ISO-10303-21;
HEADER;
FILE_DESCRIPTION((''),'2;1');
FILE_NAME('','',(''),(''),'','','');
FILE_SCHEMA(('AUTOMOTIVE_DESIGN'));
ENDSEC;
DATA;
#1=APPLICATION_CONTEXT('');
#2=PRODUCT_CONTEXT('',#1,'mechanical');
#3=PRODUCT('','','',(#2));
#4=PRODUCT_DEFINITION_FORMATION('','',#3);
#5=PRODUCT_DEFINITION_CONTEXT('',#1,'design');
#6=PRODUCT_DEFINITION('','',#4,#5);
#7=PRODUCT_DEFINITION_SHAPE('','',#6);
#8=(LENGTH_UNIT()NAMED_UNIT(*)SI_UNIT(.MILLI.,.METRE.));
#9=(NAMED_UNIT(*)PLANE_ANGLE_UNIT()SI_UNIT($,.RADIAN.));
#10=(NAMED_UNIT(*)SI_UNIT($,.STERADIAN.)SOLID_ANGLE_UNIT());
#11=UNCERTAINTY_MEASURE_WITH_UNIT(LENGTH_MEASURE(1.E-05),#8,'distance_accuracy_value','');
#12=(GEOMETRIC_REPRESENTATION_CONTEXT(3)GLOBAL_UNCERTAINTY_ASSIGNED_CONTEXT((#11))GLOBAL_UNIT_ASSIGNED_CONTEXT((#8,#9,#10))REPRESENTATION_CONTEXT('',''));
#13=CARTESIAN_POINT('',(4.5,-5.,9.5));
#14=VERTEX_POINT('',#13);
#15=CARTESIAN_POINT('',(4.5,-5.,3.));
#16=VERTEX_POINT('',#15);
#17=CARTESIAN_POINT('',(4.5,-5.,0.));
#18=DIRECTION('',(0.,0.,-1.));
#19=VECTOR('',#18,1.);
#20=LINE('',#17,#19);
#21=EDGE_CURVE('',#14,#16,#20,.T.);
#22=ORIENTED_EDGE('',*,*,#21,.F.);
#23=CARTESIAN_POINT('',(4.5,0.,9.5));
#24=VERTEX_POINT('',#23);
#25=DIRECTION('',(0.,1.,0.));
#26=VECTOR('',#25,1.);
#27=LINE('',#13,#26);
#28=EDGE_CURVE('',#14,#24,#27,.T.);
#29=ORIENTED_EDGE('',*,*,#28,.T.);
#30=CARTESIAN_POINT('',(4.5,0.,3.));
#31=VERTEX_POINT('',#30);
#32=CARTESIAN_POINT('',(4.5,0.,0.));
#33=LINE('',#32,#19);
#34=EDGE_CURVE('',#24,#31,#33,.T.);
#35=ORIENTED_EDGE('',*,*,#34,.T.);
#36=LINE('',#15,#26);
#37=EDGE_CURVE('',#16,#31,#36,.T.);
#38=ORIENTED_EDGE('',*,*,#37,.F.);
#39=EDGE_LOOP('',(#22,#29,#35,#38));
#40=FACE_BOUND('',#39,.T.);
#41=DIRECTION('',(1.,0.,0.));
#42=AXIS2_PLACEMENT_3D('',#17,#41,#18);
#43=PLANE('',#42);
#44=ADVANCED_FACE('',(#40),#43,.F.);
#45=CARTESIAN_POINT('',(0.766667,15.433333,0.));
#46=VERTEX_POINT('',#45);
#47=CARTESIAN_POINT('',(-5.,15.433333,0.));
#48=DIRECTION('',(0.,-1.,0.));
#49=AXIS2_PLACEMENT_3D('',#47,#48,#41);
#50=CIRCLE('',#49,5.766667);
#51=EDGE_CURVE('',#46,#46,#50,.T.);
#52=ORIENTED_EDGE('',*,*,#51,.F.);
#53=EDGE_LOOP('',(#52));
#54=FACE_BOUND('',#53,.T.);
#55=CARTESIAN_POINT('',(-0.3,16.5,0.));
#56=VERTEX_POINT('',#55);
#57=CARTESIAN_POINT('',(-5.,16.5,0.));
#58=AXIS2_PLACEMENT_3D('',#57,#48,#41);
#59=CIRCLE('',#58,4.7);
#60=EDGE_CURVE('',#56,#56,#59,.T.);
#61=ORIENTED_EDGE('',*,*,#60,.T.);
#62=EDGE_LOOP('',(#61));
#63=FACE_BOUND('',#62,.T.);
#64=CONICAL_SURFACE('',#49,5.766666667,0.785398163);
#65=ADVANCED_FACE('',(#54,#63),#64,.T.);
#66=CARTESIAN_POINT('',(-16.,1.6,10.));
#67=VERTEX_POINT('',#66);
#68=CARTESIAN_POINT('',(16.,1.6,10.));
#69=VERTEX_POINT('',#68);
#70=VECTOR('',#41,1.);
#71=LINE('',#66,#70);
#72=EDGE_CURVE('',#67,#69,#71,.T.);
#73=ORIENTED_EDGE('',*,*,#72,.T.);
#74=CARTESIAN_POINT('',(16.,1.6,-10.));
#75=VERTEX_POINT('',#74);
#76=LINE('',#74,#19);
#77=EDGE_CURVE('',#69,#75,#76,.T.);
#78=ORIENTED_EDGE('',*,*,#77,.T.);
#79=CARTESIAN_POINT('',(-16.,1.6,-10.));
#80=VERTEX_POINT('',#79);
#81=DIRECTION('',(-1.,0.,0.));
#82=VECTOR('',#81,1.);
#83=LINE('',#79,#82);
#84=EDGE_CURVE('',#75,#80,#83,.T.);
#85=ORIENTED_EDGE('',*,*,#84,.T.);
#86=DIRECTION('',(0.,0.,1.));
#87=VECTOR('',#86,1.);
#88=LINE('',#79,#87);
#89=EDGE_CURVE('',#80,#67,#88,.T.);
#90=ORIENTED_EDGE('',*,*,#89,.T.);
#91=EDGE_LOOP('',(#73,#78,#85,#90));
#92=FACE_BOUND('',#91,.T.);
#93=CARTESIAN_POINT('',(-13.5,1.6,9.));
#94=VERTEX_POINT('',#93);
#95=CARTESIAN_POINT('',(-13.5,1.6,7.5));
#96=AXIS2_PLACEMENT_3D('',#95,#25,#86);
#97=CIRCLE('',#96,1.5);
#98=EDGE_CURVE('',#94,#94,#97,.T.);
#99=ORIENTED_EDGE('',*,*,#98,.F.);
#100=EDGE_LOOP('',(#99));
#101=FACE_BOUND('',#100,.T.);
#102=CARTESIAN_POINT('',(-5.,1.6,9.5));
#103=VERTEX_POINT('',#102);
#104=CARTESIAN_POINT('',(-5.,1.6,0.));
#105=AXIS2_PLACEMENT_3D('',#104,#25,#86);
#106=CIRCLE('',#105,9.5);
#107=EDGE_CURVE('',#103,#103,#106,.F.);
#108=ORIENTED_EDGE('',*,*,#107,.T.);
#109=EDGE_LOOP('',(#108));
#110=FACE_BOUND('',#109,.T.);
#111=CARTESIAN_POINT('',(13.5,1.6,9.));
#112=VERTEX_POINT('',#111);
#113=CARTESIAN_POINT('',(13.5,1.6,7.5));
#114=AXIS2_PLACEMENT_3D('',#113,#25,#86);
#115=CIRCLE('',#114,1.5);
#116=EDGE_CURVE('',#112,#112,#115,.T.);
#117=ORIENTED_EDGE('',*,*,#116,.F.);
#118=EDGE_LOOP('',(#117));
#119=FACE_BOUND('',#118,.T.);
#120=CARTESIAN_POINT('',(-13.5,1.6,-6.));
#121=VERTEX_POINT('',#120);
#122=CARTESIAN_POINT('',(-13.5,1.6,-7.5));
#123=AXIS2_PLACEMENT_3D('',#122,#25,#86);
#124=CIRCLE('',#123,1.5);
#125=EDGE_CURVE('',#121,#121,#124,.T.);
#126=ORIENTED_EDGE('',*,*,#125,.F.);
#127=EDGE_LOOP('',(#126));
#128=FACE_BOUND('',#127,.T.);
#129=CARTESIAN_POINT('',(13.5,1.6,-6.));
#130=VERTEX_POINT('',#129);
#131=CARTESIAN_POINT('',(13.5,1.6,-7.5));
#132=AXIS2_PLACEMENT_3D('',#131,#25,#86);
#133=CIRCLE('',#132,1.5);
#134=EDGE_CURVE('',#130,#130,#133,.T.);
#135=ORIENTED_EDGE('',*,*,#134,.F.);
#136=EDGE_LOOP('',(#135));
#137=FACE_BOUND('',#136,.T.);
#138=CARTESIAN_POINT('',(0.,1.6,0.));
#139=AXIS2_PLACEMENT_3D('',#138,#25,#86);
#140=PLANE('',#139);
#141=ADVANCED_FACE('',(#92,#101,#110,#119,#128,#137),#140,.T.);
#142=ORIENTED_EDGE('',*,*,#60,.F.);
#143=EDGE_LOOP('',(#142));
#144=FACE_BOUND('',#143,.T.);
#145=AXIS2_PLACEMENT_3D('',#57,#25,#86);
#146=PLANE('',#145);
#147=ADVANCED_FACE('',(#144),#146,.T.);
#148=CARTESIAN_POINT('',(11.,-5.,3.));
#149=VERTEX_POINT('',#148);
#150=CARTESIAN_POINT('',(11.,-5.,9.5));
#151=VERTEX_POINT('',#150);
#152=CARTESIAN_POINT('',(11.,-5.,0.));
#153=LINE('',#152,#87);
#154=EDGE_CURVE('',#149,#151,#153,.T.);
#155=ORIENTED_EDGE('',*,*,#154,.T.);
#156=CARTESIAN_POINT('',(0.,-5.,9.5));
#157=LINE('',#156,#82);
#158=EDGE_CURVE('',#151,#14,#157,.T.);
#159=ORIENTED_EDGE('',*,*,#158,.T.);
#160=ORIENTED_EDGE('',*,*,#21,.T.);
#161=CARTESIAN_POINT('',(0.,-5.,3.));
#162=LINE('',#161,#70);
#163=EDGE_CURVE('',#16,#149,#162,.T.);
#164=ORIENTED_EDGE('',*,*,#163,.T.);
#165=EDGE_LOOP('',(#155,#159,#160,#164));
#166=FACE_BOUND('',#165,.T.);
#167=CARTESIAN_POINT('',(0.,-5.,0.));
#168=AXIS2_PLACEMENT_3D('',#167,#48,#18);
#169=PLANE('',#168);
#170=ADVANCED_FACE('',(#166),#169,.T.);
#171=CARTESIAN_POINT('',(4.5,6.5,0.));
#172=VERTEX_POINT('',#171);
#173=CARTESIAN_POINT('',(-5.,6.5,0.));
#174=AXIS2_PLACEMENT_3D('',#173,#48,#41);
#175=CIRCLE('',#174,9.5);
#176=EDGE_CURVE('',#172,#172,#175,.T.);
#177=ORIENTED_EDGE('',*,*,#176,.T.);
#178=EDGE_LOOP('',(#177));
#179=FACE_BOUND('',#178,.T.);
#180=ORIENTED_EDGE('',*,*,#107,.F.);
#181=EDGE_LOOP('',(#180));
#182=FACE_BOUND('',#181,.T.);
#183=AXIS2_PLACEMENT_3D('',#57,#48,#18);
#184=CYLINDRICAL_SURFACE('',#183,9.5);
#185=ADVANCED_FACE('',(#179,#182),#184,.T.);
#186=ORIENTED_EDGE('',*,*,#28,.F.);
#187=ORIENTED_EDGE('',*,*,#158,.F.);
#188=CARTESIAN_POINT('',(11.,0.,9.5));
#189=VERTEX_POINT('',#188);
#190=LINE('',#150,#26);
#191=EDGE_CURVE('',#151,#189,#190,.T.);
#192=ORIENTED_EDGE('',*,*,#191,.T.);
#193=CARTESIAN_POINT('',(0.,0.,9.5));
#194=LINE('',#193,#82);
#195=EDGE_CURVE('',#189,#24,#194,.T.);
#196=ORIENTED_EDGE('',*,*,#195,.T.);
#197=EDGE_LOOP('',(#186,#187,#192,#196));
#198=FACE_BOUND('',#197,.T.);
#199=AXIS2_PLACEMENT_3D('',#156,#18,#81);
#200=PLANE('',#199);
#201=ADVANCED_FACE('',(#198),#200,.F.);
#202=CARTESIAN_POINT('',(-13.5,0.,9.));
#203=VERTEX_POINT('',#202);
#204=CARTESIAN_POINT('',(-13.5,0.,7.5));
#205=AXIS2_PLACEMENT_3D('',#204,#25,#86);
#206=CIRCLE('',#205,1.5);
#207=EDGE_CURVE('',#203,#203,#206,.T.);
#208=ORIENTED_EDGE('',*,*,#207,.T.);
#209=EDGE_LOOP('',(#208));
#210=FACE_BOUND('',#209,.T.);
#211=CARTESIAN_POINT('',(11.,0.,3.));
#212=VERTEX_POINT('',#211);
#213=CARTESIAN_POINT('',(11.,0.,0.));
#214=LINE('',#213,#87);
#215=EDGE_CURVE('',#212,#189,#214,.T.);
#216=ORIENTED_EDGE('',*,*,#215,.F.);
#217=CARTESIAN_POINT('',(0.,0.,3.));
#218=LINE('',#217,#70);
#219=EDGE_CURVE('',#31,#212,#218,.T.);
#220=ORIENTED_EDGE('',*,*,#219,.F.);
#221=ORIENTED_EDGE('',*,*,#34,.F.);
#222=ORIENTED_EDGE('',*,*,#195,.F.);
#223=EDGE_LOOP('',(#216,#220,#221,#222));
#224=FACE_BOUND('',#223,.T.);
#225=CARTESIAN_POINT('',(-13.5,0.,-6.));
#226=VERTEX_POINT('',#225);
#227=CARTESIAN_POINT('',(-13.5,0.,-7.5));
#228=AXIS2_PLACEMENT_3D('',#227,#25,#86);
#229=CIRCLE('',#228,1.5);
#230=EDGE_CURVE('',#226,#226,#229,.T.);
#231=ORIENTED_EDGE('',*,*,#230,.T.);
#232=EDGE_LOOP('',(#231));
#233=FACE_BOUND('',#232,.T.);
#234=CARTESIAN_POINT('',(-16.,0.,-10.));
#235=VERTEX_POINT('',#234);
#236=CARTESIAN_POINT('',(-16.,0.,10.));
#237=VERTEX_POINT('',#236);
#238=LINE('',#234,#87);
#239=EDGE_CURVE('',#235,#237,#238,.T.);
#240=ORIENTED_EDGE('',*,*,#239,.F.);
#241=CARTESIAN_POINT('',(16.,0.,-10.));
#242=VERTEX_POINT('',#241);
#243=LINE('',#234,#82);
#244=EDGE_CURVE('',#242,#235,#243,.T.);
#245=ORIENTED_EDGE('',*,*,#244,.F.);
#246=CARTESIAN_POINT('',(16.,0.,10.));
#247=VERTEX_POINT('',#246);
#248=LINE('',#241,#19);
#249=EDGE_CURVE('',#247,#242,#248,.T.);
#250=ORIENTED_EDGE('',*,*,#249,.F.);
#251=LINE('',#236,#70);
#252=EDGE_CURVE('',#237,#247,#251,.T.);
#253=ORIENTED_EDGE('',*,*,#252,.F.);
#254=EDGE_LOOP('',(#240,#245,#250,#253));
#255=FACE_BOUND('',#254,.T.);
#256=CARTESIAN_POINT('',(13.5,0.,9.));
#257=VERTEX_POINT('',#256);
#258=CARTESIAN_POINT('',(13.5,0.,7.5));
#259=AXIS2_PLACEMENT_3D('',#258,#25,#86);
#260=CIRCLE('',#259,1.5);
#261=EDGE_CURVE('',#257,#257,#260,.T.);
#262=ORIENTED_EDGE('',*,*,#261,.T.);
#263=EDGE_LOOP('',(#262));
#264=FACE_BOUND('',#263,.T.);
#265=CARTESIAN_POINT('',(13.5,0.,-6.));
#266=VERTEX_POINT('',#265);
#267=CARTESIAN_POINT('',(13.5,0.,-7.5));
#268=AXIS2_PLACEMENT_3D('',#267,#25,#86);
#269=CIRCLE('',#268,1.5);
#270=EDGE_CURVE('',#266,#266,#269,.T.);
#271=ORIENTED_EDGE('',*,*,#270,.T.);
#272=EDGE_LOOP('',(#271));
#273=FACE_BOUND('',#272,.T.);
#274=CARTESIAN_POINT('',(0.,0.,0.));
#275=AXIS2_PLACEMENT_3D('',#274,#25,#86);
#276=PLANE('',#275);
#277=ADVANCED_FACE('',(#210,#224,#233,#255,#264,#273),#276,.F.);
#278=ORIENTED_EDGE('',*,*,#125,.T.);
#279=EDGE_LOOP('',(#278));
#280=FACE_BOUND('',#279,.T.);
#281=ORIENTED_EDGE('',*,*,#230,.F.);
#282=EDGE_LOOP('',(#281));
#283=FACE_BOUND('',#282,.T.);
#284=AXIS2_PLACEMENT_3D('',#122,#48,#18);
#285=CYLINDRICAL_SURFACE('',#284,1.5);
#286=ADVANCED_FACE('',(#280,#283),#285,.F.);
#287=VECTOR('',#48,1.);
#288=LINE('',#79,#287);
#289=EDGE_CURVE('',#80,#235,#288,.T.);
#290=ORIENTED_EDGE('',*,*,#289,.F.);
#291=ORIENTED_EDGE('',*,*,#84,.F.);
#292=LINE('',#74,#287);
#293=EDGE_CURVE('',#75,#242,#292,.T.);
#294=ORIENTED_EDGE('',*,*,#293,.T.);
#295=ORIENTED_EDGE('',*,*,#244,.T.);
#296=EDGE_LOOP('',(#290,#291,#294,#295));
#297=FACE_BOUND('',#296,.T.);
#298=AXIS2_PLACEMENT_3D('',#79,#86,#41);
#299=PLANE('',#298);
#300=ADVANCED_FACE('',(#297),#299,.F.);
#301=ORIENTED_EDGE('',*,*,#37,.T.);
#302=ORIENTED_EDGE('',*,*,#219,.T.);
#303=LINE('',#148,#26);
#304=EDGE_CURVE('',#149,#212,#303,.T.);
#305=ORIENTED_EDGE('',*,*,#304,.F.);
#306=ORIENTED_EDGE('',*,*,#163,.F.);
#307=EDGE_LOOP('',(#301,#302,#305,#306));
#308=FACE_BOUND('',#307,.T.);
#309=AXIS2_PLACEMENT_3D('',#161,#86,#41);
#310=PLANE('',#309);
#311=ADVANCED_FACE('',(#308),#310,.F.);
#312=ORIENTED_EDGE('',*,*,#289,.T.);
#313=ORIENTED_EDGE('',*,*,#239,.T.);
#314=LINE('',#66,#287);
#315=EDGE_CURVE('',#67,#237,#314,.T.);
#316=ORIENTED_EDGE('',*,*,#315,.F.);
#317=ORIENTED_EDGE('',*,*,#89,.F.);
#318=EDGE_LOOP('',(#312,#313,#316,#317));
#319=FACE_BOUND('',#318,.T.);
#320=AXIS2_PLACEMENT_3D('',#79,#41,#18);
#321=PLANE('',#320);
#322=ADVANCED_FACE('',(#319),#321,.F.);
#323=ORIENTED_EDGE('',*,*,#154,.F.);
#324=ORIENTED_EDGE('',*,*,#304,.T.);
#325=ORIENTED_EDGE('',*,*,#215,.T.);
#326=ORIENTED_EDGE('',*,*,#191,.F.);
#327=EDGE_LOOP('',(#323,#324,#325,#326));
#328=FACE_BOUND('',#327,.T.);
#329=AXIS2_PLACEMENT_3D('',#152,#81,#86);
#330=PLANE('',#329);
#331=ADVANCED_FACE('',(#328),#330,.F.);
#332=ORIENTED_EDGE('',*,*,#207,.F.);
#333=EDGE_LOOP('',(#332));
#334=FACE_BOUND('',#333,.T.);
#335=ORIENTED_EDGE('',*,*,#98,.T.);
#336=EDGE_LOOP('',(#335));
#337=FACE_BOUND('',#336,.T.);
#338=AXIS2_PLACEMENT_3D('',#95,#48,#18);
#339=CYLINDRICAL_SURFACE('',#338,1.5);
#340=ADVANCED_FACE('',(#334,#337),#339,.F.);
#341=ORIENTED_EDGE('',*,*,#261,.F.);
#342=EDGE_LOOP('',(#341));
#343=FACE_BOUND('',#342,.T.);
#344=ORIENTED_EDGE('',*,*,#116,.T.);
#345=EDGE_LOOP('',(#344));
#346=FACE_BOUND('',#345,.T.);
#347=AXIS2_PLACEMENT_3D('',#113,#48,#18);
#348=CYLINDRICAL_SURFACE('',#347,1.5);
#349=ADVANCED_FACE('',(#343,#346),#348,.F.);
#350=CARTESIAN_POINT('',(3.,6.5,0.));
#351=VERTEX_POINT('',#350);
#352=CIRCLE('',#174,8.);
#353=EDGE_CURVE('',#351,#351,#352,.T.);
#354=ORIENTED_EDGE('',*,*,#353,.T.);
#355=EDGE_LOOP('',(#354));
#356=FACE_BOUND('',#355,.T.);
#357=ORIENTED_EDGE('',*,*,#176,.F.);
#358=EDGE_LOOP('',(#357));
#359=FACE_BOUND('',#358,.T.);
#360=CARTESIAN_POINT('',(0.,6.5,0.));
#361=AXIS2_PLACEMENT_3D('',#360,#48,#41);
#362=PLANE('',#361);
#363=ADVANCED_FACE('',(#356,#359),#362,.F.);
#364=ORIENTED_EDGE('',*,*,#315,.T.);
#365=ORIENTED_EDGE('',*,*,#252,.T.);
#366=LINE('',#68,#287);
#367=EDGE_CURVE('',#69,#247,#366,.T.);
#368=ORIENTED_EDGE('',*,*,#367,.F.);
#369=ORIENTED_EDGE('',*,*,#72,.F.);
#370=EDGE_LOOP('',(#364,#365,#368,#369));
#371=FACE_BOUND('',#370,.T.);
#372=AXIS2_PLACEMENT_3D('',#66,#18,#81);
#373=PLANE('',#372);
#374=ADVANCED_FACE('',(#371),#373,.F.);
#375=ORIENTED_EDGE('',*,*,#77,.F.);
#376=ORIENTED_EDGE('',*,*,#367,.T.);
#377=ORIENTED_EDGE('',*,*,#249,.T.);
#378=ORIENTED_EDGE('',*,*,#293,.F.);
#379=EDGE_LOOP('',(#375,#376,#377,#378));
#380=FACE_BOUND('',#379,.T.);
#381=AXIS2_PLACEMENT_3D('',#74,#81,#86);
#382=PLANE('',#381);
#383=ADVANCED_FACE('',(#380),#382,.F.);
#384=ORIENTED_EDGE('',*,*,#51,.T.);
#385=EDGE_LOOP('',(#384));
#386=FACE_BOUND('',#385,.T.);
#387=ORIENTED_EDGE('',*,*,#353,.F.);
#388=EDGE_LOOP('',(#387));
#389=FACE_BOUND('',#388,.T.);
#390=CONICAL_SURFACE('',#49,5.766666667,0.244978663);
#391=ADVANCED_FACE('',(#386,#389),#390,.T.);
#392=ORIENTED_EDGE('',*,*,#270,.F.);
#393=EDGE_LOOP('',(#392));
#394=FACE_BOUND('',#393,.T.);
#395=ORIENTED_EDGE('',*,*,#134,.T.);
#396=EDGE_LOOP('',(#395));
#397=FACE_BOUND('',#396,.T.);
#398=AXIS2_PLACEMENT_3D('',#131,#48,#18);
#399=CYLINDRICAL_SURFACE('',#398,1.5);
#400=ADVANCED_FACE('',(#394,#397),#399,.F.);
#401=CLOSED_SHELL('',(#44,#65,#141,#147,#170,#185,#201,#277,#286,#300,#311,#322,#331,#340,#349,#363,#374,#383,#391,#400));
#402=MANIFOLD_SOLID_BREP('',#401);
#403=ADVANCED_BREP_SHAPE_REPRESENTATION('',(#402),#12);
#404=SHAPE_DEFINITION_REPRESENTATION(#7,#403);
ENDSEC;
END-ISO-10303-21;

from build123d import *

# Parameters (mm, degrees)
SKETCH_1_W      = 32
SKETCH_1_H      = 20
SKETCH_1_R      = 1.5
EXTRUDE_1_DEPTH = 1.6
SKETCH_2_W      = 6.5
SKETCH_2_H      = 6.5
EXTRUDE_2_DEPTH = 5
SKETCH_3_R      = 9.5
EXTRUDE_3_DEPTH = 16.5


with BuildPart() as part:
    # 草图1 → 凸台-拉伸1 (new body)
    with BuildSketch(Plane(origin=(0, 0, 0), x_dir=(1, 0, 0), z_dir=(0, 1, 0))):
        Rectangle(SKETCH_1_W, SKETCH_1_H)
        with Locations(Location((-13.5, 7.5, 0), (0, 0, 270))):
            Circle(SKETCH_1_R, mode=Mode.SUBTRACT)
        with Locations(Location((13.5, 7.5, 0), (0, 0, 270))):
            Circle(SKETCH_1_R, mode=Mode.SUBTRACT)
        with Locations(Location((-13.5, -7.5, 0), (0, 0, 270))):
            Circle(SKETCH_1_R, mode=Mode.SUBTRACT)
        with Locations(Location((13.5, -7.5, 0), (0, 0, 270))):
            Circle(SKETCH_1_R, mode=Mode.SUBTRACT)
    extrude(amount=EXTRUDE_1_DEPTH)

    # 草图2 → 凸台-拉伸2 (add)
    with BuildSketch(Plane(origin=(0, 0, 0), x_dir=(1, 0, 0), z_dir=(0, 1, 0))):
        with Locations((7.75, -6.25)):
            Rectangle(SKETCH_2_W, SKETCH_2_H)
    extrude(amount=-EXTRUDE_2_DEPTH)

    # 草图3 → 凸台-拉伸3 (add)
    with BuildSketch(Plane(origin=(0, 0, 0), x_dir=(1, 0, 0), z_dir=(0, 1, 0))):
        with Locations(Location((-5, 0, 0), (0, 0, 270))):
            Circle(SKETCH_3_R)
    extrude(amount=EXTRUDE_3_DEPTH)

    # 草图4 → 切除-旋转2 (revolve, cut)
    with BuildSketch(Plane.XY):
        Polygon((-0.3, 16.5), (0.5, 16.5), (4.5, 16.5), (4.5, 6.5), (3, 6.5), (0.766666667, 15.433333333), align=None)
    revolve(axis=Axis((-5, -983.5, 0), (0, 1, 0)), mode=Mode.SUBTRACT)


solid = part.part
